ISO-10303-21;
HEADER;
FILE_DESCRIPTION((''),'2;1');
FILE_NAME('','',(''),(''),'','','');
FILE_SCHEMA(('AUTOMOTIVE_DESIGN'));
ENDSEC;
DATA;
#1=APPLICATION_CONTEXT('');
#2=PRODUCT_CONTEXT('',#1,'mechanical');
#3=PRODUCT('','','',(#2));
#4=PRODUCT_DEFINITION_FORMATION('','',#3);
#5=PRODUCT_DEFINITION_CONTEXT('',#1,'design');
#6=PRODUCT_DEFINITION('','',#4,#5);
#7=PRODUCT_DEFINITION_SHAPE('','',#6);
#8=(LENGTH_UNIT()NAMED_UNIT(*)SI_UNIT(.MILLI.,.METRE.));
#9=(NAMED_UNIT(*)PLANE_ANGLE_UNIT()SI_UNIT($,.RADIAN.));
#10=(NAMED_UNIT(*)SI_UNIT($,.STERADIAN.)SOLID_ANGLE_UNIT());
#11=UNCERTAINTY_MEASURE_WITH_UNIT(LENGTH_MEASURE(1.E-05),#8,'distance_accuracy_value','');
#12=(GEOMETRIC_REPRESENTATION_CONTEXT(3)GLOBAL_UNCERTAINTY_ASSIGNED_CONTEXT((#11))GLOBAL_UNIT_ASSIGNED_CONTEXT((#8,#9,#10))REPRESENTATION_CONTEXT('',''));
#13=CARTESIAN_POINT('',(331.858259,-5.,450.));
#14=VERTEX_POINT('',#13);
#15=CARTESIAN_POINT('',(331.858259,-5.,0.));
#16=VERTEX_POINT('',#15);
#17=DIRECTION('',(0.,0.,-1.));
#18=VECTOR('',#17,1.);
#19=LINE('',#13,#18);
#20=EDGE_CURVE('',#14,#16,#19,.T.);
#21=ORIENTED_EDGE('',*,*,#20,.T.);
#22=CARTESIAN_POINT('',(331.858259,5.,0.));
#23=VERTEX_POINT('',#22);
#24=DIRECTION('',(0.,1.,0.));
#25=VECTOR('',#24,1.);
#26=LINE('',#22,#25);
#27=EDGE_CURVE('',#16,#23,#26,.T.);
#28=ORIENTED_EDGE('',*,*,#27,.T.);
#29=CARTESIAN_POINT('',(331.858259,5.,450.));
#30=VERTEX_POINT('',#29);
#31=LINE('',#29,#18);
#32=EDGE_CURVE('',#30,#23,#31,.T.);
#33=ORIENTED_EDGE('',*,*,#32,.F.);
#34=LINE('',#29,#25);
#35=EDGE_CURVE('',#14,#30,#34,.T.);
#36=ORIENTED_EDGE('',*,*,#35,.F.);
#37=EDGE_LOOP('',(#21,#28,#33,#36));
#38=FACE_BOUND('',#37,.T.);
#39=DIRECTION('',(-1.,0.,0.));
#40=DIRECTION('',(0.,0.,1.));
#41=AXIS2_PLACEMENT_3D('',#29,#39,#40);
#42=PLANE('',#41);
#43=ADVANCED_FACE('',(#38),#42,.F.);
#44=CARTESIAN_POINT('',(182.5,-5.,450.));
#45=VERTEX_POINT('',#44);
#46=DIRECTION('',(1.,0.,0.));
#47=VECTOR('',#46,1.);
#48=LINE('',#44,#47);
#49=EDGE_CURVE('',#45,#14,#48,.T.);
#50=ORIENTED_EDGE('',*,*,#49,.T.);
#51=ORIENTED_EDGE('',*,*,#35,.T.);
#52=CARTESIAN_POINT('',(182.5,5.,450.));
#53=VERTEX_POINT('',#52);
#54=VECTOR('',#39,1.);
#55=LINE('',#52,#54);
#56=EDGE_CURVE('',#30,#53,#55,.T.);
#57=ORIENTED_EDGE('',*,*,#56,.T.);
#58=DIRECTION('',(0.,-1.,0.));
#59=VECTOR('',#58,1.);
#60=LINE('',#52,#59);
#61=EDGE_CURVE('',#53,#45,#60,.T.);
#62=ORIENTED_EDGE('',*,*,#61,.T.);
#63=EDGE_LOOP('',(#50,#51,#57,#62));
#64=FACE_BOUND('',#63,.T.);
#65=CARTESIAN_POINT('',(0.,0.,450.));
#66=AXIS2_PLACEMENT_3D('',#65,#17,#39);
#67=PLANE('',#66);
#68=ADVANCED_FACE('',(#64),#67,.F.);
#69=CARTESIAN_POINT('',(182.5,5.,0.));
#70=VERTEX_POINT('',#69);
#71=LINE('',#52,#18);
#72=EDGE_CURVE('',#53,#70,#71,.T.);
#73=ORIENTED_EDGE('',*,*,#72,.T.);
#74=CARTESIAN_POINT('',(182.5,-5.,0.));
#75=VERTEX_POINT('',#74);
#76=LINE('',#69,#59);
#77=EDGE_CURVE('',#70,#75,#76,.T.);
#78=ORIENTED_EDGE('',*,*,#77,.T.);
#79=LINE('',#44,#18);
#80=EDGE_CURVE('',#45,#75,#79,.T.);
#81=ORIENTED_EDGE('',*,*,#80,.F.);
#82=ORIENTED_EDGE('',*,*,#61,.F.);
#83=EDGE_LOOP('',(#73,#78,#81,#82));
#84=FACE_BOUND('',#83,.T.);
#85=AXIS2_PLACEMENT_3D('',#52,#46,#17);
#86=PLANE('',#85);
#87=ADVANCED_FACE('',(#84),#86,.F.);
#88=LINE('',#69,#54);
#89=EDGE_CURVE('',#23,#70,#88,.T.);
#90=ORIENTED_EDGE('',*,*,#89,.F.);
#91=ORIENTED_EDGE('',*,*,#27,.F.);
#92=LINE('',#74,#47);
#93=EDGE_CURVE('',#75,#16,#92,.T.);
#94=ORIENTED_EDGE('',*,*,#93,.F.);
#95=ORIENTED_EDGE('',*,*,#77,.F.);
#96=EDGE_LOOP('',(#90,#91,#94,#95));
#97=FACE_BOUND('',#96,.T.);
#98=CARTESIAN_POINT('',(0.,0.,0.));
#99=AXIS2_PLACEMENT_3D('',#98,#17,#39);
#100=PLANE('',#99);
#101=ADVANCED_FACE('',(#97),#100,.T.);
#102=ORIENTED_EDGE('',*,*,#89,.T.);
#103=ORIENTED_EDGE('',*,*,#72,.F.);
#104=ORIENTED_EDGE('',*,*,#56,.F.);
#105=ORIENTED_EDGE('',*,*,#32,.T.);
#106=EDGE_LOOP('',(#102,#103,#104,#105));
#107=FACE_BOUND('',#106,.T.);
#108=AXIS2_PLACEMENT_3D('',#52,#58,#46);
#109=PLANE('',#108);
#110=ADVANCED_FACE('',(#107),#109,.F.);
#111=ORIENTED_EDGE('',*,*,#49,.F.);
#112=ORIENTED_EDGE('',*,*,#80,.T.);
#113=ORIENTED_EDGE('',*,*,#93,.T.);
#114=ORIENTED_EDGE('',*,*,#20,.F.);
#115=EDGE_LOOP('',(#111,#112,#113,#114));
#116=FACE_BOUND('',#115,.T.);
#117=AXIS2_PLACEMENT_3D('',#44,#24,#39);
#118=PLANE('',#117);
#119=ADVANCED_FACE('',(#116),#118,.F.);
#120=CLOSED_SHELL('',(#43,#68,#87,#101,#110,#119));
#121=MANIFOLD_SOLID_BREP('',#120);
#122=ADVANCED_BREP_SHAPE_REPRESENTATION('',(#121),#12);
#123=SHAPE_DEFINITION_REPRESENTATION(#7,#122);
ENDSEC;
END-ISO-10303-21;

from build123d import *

# Parameters (mm, degrees)
SKIZZE1_W                       = 149.358259494
SKIZZE1_H                       = 10
AUFSATZ_LINEAR_AUSTRAGEN1_DEPTH = 450


with BuildPart() as part:
    # Skizze1 → Aufsatz-Linear austragen1 (new body)
    with BuildSketch(Plane.XY):
        with Locations((257.179129747, 0)):
            Rectangle(SKIZZE1_W, SKIZZE1_H)
    extrude(amount=AUFSATZ_LINEAR_AUSTRAGEN1_DEPTH)


solid = part.part
